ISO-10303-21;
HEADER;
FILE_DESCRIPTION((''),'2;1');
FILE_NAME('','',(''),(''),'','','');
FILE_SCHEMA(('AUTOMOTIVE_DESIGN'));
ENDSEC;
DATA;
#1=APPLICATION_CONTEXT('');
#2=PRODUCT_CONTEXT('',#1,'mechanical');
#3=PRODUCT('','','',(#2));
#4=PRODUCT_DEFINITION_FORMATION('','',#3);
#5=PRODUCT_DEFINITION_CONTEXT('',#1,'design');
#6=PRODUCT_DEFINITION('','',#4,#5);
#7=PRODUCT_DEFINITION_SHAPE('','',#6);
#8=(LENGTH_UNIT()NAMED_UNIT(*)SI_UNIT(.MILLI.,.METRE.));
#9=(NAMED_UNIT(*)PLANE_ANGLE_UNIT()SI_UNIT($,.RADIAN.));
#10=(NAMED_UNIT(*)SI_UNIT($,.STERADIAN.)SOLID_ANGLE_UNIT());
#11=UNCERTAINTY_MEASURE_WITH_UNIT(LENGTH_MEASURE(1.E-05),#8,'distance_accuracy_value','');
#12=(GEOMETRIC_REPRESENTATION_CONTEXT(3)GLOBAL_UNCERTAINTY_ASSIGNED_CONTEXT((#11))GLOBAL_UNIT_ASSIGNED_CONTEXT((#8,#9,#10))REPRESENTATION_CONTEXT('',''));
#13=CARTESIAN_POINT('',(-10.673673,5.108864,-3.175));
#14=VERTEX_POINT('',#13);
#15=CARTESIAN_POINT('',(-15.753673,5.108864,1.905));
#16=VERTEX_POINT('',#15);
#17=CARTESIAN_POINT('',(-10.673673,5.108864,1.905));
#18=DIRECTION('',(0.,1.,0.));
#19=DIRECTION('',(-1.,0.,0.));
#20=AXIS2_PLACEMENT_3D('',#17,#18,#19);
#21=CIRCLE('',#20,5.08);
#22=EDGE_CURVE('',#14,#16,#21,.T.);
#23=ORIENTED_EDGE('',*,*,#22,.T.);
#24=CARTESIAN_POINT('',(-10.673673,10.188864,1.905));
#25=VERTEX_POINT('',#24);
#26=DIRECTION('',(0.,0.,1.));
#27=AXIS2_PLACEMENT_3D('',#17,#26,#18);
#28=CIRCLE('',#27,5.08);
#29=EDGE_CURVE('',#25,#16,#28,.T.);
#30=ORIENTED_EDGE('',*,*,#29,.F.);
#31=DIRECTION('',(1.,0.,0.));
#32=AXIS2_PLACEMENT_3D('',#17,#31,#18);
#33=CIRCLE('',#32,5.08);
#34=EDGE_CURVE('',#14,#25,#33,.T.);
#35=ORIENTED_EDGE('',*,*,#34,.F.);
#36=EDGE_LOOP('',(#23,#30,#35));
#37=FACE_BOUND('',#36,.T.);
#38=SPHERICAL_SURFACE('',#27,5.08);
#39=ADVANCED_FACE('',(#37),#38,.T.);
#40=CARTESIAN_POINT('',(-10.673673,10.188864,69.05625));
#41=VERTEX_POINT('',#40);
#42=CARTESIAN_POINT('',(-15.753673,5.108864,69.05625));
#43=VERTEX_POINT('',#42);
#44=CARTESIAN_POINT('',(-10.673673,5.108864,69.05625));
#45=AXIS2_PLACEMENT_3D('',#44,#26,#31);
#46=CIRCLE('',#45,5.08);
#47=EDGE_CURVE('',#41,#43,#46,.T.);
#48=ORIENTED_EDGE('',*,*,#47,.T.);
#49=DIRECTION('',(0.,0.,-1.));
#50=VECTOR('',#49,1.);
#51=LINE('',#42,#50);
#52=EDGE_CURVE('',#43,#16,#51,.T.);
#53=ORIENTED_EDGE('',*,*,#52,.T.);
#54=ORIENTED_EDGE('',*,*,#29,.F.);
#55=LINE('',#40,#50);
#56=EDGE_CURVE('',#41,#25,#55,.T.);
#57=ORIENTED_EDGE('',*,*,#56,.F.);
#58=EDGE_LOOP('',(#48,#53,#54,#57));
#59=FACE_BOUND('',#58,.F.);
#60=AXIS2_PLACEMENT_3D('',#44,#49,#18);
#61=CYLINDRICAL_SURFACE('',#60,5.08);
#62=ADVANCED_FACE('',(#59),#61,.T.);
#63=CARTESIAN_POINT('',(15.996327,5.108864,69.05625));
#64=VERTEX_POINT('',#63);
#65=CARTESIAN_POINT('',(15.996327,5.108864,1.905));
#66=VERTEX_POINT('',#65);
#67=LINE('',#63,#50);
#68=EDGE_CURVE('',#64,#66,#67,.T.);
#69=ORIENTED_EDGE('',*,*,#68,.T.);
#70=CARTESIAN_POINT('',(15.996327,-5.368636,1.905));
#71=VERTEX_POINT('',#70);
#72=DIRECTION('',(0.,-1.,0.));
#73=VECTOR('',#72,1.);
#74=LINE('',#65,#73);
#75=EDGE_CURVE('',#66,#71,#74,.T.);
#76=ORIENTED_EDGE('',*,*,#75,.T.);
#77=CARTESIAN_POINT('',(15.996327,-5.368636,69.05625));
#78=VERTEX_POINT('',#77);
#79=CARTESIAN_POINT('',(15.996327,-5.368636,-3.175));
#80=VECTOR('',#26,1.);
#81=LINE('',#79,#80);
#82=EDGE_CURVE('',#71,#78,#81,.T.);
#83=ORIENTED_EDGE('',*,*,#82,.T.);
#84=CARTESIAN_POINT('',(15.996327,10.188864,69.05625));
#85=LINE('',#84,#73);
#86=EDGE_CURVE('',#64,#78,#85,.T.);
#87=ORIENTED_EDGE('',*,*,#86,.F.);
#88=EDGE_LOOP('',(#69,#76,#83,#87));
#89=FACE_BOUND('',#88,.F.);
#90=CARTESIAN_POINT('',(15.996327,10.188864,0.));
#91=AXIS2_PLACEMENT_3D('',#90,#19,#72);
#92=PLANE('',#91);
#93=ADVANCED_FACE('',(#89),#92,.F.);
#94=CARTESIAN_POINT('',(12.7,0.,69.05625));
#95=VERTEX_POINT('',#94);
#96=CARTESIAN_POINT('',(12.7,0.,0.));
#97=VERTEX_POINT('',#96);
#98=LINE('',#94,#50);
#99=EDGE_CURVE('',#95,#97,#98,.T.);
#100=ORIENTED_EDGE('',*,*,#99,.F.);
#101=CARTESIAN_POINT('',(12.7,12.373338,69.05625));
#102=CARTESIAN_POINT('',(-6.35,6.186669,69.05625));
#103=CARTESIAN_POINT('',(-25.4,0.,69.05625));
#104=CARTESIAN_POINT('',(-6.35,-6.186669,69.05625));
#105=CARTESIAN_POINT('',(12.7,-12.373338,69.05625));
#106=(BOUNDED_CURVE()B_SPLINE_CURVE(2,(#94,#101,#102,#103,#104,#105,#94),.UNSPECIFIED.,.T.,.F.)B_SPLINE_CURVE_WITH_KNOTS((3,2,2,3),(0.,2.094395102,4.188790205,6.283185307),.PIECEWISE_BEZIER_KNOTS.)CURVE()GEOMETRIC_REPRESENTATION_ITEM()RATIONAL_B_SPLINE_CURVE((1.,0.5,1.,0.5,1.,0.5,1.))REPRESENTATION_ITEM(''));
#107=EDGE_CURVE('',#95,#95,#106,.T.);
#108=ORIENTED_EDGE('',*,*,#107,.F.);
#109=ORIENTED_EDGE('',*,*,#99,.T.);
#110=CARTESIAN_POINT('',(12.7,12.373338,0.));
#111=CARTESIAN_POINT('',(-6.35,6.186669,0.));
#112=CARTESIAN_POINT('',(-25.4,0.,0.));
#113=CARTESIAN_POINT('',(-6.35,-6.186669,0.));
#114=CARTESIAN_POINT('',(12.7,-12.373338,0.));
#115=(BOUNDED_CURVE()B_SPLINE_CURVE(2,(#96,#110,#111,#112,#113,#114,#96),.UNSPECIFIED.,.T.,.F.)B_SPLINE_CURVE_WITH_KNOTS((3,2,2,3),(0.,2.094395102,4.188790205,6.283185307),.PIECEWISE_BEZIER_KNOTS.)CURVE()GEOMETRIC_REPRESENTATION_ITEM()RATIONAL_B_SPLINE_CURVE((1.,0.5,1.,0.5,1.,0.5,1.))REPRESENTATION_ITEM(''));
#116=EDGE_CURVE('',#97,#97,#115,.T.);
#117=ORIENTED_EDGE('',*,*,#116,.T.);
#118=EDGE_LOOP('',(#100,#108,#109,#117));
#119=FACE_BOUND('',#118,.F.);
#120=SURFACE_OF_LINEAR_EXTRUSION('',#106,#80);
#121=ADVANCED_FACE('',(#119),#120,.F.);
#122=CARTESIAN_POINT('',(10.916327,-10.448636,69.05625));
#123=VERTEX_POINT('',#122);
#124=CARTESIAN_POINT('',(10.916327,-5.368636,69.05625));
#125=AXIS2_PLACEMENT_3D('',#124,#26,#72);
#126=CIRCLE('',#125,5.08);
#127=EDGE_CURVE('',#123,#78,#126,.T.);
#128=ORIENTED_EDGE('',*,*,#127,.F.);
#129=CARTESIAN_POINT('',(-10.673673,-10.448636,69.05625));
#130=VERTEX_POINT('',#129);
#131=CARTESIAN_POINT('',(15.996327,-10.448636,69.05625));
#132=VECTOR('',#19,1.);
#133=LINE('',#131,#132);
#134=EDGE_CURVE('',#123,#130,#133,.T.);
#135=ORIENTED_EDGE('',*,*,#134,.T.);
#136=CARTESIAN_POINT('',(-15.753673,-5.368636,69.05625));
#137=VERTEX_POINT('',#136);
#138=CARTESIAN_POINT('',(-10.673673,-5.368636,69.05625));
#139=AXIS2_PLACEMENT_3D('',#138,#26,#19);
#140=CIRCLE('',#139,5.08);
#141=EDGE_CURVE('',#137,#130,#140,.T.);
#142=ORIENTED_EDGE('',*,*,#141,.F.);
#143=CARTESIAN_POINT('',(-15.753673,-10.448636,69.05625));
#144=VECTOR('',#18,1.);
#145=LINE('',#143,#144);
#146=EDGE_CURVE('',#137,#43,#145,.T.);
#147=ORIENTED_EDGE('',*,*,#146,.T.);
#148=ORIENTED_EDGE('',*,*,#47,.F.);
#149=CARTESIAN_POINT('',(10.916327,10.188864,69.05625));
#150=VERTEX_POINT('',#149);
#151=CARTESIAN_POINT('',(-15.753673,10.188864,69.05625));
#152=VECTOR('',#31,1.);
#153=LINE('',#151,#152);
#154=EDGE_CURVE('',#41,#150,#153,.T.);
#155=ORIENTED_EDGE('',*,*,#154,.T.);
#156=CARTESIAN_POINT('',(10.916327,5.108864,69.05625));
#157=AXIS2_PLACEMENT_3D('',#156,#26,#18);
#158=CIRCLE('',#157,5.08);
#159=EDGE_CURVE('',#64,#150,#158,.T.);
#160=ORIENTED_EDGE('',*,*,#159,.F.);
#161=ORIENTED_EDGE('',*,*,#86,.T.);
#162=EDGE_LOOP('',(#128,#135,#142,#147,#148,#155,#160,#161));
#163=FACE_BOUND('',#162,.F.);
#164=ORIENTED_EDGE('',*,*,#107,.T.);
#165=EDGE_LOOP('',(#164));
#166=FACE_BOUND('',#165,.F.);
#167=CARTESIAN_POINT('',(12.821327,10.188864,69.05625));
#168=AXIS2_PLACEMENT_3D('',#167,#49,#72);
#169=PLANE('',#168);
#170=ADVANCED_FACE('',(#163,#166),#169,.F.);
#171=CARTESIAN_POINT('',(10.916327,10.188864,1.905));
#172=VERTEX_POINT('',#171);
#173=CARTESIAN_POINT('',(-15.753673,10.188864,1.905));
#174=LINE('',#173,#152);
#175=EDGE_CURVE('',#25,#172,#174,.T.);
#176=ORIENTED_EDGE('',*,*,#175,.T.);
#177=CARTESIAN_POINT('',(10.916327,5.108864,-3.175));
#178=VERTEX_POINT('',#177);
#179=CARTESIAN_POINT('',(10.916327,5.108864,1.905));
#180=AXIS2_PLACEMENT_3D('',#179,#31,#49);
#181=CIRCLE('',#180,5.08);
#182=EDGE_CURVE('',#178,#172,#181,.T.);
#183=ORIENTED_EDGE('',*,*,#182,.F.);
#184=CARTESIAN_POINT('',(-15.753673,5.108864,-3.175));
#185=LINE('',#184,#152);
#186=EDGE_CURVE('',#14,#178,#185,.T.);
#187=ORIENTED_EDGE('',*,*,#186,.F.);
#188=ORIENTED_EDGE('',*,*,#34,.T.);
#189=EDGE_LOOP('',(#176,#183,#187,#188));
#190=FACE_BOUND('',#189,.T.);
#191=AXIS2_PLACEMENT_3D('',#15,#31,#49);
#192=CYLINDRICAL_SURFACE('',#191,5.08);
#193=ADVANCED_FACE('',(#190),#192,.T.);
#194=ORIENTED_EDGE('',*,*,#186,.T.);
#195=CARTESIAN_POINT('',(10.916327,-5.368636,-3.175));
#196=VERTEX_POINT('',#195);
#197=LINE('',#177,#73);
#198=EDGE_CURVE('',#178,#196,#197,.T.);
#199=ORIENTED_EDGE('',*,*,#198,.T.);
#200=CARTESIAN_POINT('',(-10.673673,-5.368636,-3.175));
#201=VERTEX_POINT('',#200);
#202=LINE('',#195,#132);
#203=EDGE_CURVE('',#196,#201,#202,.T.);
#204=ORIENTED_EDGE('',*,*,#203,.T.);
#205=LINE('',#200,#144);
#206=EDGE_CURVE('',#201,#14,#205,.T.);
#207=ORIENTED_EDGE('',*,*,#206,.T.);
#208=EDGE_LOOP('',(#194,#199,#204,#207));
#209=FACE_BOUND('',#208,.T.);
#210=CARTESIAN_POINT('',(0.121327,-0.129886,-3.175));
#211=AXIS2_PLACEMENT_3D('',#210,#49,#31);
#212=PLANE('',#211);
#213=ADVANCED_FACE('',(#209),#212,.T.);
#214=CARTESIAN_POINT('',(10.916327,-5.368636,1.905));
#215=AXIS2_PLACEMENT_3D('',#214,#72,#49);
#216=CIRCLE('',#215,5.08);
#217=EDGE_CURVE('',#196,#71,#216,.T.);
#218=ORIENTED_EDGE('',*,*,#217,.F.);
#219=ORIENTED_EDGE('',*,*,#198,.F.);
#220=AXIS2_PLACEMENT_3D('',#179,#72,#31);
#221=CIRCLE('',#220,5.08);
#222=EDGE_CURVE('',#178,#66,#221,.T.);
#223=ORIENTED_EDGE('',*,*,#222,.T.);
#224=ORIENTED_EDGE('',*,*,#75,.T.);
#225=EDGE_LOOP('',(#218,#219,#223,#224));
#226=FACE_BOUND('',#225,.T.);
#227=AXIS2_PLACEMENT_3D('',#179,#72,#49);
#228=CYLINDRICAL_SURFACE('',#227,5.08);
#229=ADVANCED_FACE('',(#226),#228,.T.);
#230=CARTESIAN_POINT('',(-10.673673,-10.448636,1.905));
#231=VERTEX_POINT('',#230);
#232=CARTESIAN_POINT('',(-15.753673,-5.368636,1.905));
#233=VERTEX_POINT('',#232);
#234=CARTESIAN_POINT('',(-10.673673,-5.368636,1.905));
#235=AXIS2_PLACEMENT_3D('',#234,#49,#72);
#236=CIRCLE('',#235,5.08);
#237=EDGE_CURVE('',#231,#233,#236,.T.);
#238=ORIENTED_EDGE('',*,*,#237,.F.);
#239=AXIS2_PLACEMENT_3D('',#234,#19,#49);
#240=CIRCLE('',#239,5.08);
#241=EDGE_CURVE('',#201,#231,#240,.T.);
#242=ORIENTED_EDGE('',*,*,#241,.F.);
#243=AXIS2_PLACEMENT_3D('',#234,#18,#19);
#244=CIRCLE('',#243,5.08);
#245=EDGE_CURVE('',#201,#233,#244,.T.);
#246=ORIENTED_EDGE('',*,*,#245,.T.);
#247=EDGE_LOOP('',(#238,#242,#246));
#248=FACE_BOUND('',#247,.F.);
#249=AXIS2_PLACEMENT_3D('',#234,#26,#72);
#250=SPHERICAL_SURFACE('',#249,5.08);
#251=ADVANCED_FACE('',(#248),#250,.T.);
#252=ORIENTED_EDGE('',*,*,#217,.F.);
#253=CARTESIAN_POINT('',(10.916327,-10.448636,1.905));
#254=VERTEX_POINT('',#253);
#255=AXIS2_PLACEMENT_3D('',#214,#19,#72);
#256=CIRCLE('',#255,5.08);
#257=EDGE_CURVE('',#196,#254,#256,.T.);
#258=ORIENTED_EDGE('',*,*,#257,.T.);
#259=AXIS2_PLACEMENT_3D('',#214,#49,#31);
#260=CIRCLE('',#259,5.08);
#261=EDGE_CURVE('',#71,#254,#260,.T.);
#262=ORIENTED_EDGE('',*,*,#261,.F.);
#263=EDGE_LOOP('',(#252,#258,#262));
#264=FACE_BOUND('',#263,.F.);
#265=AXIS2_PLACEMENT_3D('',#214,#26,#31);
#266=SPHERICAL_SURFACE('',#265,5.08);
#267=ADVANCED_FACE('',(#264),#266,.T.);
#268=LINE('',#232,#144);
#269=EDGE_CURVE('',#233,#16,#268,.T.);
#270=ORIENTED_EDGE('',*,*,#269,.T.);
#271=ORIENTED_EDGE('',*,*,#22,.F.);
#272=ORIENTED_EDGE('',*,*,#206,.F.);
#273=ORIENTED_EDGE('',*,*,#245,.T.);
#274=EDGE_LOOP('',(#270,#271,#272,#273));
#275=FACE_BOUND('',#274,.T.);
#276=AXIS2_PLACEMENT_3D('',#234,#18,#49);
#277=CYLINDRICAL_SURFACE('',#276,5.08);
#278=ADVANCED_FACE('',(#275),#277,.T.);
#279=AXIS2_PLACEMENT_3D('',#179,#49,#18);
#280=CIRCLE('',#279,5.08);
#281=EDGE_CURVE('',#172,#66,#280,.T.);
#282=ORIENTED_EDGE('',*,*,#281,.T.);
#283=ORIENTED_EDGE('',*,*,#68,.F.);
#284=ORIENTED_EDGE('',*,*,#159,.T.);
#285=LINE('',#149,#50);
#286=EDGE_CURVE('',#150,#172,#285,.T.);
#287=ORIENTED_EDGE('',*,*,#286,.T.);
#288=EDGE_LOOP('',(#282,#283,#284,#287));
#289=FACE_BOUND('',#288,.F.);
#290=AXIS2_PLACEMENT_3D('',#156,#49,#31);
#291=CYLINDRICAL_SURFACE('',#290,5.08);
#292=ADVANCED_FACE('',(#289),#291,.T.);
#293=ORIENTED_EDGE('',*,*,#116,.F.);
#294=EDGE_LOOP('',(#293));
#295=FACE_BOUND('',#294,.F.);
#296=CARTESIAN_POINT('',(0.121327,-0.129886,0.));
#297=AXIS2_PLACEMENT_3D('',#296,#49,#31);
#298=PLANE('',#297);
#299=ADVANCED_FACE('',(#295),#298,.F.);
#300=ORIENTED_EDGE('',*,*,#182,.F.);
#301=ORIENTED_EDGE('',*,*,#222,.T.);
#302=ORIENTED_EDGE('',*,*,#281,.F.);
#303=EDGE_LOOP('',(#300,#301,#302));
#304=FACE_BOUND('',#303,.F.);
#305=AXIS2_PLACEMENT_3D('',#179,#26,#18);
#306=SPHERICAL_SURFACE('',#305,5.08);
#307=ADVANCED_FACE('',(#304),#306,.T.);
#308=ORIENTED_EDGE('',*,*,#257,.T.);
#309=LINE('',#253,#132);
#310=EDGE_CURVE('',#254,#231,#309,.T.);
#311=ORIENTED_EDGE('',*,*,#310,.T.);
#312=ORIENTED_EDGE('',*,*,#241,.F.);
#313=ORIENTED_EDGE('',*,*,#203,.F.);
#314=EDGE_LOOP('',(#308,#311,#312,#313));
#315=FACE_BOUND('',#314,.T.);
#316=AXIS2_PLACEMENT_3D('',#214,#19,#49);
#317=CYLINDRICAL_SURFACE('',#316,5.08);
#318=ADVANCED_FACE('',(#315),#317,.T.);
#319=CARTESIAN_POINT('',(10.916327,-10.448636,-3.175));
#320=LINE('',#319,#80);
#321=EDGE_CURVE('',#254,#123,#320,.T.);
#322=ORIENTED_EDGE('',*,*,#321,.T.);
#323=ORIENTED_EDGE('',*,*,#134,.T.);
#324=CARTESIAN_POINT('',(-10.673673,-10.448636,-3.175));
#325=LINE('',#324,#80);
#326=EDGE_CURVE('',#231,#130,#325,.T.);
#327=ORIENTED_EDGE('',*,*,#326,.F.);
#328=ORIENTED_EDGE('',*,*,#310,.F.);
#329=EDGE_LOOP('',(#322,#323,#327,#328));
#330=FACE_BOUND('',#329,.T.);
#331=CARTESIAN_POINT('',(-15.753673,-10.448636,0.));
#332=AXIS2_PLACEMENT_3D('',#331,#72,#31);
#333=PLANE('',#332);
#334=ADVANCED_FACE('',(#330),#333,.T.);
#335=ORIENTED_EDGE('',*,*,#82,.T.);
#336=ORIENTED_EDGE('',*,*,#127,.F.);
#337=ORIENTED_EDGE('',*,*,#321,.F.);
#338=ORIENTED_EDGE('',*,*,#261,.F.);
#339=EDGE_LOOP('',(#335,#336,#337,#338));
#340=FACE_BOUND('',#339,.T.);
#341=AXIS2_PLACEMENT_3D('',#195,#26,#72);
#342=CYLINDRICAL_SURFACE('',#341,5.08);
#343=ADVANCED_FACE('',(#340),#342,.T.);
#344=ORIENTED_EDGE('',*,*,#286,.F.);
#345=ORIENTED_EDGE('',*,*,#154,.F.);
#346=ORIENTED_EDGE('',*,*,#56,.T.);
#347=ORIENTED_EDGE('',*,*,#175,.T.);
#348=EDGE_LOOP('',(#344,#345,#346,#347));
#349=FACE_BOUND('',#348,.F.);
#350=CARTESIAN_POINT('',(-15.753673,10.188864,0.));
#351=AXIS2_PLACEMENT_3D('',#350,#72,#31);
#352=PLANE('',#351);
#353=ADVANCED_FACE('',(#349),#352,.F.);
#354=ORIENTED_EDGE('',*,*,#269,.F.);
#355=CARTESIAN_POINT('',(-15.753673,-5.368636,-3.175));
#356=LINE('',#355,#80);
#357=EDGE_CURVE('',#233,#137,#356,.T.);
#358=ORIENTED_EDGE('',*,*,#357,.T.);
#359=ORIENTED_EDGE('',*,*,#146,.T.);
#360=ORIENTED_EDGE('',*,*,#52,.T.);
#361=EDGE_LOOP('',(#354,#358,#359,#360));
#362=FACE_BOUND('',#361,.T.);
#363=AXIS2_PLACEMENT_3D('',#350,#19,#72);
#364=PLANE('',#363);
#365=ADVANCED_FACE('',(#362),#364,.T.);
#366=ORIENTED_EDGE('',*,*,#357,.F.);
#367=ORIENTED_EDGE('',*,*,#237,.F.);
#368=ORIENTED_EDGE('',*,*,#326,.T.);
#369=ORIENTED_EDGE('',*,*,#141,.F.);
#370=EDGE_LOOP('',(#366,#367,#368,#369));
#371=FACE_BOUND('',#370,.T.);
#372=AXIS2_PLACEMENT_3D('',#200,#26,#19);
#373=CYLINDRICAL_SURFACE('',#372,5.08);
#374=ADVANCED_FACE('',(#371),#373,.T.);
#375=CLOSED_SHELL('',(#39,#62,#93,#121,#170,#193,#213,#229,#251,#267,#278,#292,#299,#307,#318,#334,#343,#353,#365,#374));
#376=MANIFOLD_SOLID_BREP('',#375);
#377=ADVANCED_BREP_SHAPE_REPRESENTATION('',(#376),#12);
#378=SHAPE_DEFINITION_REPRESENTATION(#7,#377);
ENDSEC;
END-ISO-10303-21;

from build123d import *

# Parameters (mm, degrees)
F0_W     = 25.4
F0_H     = 14.2875
F1_DEPTH = 69.05625
F2_DEPTH = 3.175
F3_DEPTH = 3.175
F4_DEPTH = 3.175
F5_DEPTH = 3.175
F7_DEPTH = 69.05625
F8_W     = 31.75
F8_H     = 20.6375
F9_DEPTH = 3.175
F10_R    = 5.08
F11_R    = 5.08
F12_R    = 5.08
F13_R    = 5.08


with BuildPart() as f1:
    # F0 (on Top) → F1 (new body)
    with BuildSketch(Plane.XY):
        with Locations((0.1213269636, -0.1298861763)):
            Rectangle(F0_W, F0_H)
    extrude(amount=F1_DEPTH)

    # F2 (add): a face of the model
    f2_faces = [f1.faces().sort_by_distance(p)[0] for p in [
        (0.1213269636, -7.2736361763, 34.528125),
    ]]
    extrude(f2_faces, amount=F2_DEPTH)

    # F3 (add): a face of the model
    f3_faces = [f1.faces().sort_by_distance(p)[0] for p in [
        (-12.5786730364, -1.7173861763, 34.528125),
    ]]
    extrude(f3_faces, amount=F3_DEPTH)

    # F4 (add): a face of the model
    f4_faces = [f1.faces().sort_by_distance(p)[0] for p in [
        (-1.4661730364, 7.0138638237, 34.528125),
    ]]
    extrude(f4_faces, amount=F4_DEPTH)

    # F5 (add): a face of the model
    f5_faces = [f1.faces().sort_by_distance(p)[0] for p in [
        (12.8213269636, -0.1298861763, 34.528125),
    ]]
    extrude(f5_faces, amount=F5_DEPTH)

    # F6 (on face) → F7 (cut)
    with BuildSketch(Plane.XY.offset(69.05625)):
        with BuildLine():
            add(Edge.make_bspline(
                [(12.7, 0), (12.7, 12.3733379566), (-6.35, 6.1866689783), (-25.4, 0), (-6.35, -6.1866689783), (12.7, -12.3733379566), (12.7, 0)],
                knots=[0, 0, 0, 2.0943951024, 2.0943951024, 4.1887902048, 4.1887902048, 6.2831853072, 6.2831853072, 6.2831853072], degree=2, weights=[1, 0.5, 1, 0.5, 1, 0.5, 1]))
        make_face()
    extrude(amount=-F7_DEPTH, mode=Mode.SUBTRACT)

    # F8 (on face) → F9 (join)
    with BuildSketch(Plane(origin=(0, 0, 0), x_dir=(1, 0, 0), z_dir=(0, 0, -1))):
        with Locations((0.1213269636, 0.1298861763)):
            Rectangle(F8_W, F8_H)
    extrude(amount=F9_DEPTH)

    # F10
    f10_edges = [f1.edges().sort_by_distance(p)[0] for p in [
        (-15.753673, -10.448636, 32.940625),
    ]]
    fillet(f10_edges, radius=F10_R)

    # F11
    f11_edges = [f1.edges().sort_by_distance(p)[0] for p in [
        (15.996327, -10.448636, 32.940625),
    ]]
    fillet(f11_edges, radius=F11_R)

    # F12
    f12_edges = [f1.edges().sort_by_distance(p)[0] for p in [
        (15.996327, 10.188864, 32.940625),
    ]]
    fillet(f12_edges, radius=F12_R)

    # F13
    f13_edges = [f1.edges().sort_by_distance(p)[0] for p in [
        (-15.753673, 10.188864, 32.940625),
        (15.996327, -0.129886, -3.175),
        (14.508429, 8.700966, -3.175),
        (14.508429, -8.960739, -3.175),
        (-2.418673, 10.188864, -3.175),
        (0.121327, -10.448636, -3.175),
        (-15.753673, 2.410114, -3.175),
        (-14.265775, -8.960739, -3.175),
    ]]
    fillet(f13_edges, radius=F13_R)


solid = f1.part
